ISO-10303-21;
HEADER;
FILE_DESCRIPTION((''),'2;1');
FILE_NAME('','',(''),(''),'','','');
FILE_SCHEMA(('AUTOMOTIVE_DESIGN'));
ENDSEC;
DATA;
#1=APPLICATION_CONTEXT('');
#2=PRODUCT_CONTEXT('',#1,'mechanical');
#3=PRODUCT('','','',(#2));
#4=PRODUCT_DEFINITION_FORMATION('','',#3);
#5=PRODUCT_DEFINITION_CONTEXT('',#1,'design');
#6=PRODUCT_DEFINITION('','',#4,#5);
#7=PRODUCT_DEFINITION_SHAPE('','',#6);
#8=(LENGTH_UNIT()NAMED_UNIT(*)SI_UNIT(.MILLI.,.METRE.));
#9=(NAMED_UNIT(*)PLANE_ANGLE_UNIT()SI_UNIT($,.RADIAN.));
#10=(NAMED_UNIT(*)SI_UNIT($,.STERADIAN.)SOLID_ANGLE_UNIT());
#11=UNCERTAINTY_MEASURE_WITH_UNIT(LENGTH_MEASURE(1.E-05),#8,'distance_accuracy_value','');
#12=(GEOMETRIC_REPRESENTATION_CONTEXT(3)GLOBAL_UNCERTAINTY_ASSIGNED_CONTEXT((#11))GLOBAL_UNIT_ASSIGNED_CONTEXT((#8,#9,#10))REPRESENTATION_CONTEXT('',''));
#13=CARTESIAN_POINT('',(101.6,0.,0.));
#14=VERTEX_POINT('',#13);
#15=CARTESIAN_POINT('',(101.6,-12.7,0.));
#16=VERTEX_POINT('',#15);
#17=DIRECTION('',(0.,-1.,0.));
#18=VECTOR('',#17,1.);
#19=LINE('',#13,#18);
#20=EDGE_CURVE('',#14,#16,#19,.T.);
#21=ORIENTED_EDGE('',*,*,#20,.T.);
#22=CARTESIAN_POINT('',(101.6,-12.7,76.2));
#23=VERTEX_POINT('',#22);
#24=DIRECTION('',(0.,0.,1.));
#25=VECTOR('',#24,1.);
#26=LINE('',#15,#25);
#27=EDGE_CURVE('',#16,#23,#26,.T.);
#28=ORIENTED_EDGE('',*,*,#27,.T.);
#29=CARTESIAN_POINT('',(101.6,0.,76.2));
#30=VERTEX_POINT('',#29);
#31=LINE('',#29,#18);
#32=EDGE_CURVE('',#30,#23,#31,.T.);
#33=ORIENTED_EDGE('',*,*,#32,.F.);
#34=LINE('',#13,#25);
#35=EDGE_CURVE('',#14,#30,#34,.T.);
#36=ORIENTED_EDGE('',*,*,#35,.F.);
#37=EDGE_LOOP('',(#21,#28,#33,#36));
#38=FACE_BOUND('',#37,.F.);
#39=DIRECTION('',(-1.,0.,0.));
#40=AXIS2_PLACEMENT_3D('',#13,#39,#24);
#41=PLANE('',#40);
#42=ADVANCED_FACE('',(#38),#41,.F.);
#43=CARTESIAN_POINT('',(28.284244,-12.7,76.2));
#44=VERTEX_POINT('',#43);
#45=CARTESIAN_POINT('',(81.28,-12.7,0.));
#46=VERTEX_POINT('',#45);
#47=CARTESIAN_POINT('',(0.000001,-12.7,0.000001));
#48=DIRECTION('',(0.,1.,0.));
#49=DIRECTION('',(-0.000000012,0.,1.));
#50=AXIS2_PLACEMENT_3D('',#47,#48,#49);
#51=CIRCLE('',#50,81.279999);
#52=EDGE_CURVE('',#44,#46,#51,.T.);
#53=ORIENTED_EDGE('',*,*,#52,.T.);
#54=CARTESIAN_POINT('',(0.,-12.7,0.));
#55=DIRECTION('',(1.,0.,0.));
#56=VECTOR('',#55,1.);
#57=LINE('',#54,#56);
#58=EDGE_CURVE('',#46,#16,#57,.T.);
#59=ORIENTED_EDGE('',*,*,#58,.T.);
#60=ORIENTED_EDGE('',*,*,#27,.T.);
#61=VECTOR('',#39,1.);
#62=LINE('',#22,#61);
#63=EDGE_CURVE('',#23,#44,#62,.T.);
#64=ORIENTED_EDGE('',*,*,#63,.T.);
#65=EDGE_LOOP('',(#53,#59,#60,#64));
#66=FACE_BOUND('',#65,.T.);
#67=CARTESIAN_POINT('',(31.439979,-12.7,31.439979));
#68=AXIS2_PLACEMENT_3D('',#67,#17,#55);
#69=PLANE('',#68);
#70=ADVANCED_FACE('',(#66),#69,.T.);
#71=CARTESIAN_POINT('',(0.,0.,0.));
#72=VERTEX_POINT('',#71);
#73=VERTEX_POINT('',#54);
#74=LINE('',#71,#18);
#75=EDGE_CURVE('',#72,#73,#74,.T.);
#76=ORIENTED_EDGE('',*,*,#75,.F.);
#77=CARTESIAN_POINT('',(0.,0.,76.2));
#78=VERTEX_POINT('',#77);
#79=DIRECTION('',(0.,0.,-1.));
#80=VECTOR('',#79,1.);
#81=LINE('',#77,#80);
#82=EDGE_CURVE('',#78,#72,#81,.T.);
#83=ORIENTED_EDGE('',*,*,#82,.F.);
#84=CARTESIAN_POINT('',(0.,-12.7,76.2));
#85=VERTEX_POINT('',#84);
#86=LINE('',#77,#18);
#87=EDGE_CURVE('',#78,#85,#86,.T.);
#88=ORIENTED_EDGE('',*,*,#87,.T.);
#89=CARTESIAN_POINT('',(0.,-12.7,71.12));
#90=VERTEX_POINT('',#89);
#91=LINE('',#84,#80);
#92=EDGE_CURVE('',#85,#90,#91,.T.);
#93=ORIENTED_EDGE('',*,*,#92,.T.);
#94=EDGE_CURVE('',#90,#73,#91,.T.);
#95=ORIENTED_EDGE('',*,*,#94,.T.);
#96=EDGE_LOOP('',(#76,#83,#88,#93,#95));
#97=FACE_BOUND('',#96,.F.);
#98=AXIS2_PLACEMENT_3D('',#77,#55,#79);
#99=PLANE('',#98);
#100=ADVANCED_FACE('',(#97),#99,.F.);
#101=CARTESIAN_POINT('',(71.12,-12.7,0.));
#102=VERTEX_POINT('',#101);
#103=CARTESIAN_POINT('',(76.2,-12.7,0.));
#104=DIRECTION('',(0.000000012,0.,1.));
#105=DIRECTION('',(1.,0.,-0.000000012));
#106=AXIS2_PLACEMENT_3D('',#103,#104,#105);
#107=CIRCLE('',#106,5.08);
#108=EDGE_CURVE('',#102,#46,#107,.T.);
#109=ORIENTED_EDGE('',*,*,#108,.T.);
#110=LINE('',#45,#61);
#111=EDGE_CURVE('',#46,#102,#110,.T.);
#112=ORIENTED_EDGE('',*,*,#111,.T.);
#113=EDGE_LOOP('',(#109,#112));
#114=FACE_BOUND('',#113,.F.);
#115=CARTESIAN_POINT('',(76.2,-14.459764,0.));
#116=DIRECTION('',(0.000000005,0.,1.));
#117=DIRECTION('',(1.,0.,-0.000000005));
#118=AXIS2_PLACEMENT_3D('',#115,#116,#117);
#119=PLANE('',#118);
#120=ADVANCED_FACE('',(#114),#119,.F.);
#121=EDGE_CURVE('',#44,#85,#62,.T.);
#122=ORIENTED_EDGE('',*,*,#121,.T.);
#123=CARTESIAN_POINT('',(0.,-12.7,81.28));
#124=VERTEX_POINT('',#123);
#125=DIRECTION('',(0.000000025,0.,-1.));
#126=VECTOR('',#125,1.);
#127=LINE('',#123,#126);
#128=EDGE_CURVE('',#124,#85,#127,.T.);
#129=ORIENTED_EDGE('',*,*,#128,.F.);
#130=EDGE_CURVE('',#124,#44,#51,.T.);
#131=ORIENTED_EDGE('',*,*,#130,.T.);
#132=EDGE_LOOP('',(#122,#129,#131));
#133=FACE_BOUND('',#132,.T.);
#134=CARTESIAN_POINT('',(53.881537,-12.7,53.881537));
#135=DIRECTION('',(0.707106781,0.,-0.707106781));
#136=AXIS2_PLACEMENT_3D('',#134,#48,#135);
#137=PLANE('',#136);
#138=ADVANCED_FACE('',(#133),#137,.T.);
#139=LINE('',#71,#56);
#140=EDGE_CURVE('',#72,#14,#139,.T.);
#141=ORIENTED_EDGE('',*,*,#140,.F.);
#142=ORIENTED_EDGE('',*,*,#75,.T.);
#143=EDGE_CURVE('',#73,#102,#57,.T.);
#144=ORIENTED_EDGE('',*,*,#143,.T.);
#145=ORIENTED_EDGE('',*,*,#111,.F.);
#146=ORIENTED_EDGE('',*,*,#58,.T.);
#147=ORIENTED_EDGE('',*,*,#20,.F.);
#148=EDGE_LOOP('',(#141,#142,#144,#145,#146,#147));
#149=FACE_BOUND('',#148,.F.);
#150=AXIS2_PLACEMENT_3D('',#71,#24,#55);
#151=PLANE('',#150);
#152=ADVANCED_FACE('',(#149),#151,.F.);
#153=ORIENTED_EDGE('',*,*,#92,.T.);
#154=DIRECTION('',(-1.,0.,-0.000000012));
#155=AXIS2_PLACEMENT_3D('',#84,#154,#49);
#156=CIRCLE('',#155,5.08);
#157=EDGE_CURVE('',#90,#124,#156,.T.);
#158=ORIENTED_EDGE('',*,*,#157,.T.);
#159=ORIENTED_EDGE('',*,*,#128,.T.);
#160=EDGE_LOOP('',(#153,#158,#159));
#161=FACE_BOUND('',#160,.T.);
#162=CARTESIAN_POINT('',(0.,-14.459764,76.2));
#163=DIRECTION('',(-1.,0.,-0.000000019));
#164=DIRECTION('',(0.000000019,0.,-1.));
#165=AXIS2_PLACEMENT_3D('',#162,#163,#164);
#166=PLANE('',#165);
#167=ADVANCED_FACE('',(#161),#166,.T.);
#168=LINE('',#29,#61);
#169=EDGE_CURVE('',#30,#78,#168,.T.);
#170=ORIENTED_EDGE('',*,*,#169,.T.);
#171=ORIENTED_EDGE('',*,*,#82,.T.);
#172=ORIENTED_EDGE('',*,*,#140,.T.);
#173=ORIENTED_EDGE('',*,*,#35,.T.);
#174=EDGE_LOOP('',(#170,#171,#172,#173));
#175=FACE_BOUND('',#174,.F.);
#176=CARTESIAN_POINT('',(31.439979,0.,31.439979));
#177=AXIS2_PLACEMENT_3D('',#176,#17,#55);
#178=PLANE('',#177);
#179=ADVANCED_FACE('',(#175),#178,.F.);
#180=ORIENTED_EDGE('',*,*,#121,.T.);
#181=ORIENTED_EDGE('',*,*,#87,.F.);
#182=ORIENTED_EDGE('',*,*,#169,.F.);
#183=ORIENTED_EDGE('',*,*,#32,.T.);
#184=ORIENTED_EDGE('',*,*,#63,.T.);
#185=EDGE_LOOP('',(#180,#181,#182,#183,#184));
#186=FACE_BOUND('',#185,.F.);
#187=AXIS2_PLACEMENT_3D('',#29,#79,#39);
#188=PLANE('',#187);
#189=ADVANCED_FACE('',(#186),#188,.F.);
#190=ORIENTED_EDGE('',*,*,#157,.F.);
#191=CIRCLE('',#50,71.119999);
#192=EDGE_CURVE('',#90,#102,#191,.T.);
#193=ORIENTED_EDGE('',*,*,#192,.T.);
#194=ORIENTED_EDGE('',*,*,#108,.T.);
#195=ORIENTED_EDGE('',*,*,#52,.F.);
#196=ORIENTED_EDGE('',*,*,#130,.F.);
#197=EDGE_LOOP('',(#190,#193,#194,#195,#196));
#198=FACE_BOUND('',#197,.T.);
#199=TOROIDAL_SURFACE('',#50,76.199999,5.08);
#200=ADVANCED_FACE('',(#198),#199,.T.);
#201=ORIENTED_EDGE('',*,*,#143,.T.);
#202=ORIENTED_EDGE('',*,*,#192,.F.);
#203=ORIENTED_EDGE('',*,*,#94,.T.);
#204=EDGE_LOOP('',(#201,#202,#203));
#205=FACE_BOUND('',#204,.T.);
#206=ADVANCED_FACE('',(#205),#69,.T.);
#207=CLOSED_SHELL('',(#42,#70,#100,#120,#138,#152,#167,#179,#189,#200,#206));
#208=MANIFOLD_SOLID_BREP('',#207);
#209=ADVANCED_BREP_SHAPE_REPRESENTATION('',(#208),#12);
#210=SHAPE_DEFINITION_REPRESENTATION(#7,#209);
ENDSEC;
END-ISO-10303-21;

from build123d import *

# Parameters (mm, degrees)
F1_DEPTH = 12.7


with BuildPart() as f1:
    # F0 (on Front) → F1 (new body)
    with BuildSketch(Plane.XZ):
        with BuildLine():
            Line((0, 76.2), (0, 0))
            Line((0, 0), (76.2, 0))
            ThreePointArc((76.2, 0), (53.881537, 53.881537), (0, 76.2))
        make_face()
        with BuildLine():
            ThreePointArc((0, 76.2), (53.881537, 53.881537), (76.2, 0))
            Line((76.2, 0), (101.6, 0))
            Line((101.6, 0), (101.6, 76.2))
            Line((101.6, 76.2), (0, 76.2))
        make_face()
    extrude(amount=F1_DEPTH)

    # F3: sweep along a path in F0
    with BuildLine(Plane.XZ) as f3_path:
        ThreePointArc((0, 76.2), (53.881537, 53.881537), (76.2, 0))
    # F2 (on Top) → F3 (sweep)
    with BuildSketch(Plane.XY):
        with BuildLine():
            Line((76.2, -12.7), (71.12, -12.7))
            ThreePointArc((71.12, -12.7), (76.2, -17.78), (81.28, -12.7))
            Line((81.28, -12.7), (76.2, -12.7))
        make_face()
    sweep(path=f3_path.line)


solid = f1.part
